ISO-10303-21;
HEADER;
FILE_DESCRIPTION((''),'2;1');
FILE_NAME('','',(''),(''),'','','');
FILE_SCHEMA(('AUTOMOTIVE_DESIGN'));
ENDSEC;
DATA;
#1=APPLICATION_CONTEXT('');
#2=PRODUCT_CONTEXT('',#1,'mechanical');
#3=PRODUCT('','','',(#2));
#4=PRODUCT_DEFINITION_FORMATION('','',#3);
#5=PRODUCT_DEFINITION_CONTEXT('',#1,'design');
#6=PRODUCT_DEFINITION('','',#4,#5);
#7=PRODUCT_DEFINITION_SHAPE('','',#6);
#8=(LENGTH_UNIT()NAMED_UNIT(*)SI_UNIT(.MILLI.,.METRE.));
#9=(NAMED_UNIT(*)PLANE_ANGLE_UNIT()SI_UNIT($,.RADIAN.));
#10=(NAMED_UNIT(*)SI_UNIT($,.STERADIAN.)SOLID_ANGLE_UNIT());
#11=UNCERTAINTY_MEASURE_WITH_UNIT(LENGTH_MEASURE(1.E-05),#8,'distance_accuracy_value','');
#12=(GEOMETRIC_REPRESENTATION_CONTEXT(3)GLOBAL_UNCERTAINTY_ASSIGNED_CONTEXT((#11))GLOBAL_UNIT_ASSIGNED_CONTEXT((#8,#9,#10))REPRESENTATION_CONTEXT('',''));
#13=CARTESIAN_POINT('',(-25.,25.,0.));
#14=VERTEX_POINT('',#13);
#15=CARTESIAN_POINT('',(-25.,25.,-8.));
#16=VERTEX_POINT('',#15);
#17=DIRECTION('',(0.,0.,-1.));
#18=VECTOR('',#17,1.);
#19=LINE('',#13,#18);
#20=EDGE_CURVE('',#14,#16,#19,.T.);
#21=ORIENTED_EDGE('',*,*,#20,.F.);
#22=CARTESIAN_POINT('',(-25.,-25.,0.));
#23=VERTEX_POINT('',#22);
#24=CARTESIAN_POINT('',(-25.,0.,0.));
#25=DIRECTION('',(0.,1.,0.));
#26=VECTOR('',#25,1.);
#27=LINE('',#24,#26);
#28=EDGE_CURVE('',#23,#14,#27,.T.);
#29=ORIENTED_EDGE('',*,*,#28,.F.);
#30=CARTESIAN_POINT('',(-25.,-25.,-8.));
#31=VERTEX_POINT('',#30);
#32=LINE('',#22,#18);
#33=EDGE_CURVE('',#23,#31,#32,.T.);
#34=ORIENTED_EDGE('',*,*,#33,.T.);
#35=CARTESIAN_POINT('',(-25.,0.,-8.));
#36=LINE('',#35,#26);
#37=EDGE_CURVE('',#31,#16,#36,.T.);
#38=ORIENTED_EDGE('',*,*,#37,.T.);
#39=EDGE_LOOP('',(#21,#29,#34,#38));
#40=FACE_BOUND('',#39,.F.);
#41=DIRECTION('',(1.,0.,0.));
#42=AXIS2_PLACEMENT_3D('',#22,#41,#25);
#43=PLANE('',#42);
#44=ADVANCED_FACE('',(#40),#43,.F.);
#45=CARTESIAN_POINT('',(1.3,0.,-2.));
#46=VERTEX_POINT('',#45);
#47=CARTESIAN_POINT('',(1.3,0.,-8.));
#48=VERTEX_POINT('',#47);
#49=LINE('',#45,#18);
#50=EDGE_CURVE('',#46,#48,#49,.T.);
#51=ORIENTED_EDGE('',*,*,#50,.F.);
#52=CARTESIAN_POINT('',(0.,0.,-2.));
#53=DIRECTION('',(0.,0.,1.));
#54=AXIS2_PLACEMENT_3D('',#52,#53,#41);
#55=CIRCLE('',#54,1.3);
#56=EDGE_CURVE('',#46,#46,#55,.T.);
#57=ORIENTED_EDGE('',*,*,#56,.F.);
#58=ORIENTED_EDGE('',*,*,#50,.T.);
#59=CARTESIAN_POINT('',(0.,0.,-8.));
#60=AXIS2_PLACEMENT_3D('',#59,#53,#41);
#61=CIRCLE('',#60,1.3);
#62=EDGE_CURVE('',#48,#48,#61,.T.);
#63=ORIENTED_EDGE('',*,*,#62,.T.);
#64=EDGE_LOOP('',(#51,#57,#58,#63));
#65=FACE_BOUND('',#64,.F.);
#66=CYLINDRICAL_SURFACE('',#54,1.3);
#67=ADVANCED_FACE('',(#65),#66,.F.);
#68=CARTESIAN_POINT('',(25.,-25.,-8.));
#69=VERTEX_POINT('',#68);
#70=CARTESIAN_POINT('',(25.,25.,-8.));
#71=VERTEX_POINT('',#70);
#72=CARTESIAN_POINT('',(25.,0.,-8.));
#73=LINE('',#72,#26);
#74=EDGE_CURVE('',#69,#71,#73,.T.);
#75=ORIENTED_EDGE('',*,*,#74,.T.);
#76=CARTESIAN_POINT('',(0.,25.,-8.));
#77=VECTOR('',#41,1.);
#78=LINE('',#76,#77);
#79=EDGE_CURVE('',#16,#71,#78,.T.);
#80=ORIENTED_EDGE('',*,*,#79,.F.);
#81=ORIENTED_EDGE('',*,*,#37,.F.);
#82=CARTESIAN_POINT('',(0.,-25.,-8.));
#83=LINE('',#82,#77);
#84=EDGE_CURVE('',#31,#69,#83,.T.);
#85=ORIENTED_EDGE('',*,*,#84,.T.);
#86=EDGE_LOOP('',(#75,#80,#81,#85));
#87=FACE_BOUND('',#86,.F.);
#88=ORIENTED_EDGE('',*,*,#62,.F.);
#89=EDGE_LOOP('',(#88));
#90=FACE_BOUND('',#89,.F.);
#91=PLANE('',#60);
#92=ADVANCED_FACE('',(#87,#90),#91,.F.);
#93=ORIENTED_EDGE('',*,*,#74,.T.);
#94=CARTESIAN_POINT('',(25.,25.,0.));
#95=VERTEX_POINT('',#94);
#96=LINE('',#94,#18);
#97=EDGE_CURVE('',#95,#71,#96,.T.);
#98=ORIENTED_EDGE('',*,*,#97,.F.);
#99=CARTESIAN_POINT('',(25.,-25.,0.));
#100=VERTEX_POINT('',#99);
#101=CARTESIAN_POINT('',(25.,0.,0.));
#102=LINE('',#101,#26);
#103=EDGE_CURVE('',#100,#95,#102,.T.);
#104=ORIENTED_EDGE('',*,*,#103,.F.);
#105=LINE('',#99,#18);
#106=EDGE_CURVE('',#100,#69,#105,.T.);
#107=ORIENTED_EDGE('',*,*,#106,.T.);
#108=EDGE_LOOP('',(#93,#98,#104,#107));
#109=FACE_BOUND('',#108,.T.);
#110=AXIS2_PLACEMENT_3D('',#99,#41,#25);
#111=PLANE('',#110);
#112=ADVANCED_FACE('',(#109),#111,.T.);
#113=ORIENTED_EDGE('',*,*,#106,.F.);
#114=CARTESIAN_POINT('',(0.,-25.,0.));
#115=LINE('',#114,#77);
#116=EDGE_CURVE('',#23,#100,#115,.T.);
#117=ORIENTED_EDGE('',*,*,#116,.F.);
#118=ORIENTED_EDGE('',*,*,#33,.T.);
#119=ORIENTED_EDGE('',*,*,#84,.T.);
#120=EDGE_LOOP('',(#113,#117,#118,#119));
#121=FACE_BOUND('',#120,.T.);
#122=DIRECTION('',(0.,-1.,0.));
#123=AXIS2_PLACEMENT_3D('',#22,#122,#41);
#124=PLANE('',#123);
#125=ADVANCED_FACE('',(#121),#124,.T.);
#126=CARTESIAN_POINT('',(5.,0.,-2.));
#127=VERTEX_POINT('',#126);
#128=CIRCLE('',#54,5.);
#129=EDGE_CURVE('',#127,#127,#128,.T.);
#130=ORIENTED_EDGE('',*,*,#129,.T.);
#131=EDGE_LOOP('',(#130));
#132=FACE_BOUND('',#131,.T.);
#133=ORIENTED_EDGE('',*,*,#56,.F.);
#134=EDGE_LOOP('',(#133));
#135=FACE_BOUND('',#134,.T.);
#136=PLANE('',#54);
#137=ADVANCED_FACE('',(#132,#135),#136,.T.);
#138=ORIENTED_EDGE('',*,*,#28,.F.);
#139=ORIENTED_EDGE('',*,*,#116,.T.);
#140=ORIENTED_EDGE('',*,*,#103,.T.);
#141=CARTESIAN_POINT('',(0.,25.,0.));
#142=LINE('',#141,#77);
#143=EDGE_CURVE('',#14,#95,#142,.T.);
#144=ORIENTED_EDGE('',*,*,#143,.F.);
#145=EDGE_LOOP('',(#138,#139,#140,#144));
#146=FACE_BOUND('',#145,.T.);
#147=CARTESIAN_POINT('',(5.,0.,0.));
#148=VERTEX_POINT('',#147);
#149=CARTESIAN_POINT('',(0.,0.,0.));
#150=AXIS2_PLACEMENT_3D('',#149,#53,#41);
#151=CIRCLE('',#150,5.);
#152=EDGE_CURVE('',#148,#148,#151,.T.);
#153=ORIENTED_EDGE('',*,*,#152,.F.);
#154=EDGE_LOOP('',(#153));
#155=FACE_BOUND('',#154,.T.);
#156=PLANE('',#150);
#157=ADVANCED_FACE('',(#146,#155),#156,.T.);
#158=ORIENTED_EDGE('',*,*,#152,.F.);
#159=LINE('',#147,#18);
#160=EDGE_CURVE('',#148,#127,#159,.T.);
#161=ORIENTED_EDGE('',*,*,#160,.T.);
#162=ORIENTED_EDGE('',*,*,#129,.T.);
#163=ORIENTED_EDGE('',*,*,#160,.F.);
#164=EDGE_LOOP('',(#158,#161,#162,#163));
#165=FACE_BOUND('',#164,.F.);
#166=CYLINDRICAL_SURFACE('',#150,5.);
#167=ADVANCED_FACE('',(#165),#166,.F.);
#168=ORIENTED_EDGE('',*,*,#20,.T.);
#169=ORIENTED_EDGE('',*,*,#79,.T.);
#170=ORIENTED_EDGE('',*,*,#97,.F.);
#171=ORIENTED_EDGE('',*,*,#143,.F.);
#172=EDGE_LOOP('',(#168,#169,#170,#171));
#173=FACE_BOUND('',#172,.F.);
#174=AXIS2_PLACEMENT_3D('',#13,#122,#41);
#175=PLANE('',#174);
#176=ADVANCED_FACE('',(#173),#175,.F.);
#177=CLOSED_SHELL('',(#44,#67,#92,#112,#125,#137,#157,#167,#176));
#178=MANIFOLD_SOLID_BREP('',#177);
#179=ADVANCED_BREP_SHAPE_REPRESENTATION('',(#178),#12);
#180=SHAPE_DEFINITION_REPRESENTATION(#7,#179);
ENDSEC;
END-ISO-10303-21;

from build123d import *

# Parameters (mm, degrees)
F0_W     = 50
F0_H     = 50
F1_DEPTH = 8
F2_R     = 5
F3_DEPTH = 2
F4_R     = 1.3
F5_DEPTH = 6.001


with BuildPart() as f1:
    # F0 (on Top) → F1 (new body)
    with BuildSketch(Plane.XY):
        Rectangle(F0_W, F0_H)
    extrude(amount=-F1_DEPTH)

    # F2 (on face) → F3 (cut)
    with BuildSketch(Plane.XY):
        Circle(F2_R)
    extrude(amount=-F3_DEPTH, mode=Mode.SUBTRACT)

    # F4 (on face) → F5 (cut, through all)
    with BuildSketch(Plane.XY.offset(-2)):
        Circle(F4_R)
    extrude(amount=-F5_DEPTH, mode=Mode.SUBTRACT)


solid = f1.part
